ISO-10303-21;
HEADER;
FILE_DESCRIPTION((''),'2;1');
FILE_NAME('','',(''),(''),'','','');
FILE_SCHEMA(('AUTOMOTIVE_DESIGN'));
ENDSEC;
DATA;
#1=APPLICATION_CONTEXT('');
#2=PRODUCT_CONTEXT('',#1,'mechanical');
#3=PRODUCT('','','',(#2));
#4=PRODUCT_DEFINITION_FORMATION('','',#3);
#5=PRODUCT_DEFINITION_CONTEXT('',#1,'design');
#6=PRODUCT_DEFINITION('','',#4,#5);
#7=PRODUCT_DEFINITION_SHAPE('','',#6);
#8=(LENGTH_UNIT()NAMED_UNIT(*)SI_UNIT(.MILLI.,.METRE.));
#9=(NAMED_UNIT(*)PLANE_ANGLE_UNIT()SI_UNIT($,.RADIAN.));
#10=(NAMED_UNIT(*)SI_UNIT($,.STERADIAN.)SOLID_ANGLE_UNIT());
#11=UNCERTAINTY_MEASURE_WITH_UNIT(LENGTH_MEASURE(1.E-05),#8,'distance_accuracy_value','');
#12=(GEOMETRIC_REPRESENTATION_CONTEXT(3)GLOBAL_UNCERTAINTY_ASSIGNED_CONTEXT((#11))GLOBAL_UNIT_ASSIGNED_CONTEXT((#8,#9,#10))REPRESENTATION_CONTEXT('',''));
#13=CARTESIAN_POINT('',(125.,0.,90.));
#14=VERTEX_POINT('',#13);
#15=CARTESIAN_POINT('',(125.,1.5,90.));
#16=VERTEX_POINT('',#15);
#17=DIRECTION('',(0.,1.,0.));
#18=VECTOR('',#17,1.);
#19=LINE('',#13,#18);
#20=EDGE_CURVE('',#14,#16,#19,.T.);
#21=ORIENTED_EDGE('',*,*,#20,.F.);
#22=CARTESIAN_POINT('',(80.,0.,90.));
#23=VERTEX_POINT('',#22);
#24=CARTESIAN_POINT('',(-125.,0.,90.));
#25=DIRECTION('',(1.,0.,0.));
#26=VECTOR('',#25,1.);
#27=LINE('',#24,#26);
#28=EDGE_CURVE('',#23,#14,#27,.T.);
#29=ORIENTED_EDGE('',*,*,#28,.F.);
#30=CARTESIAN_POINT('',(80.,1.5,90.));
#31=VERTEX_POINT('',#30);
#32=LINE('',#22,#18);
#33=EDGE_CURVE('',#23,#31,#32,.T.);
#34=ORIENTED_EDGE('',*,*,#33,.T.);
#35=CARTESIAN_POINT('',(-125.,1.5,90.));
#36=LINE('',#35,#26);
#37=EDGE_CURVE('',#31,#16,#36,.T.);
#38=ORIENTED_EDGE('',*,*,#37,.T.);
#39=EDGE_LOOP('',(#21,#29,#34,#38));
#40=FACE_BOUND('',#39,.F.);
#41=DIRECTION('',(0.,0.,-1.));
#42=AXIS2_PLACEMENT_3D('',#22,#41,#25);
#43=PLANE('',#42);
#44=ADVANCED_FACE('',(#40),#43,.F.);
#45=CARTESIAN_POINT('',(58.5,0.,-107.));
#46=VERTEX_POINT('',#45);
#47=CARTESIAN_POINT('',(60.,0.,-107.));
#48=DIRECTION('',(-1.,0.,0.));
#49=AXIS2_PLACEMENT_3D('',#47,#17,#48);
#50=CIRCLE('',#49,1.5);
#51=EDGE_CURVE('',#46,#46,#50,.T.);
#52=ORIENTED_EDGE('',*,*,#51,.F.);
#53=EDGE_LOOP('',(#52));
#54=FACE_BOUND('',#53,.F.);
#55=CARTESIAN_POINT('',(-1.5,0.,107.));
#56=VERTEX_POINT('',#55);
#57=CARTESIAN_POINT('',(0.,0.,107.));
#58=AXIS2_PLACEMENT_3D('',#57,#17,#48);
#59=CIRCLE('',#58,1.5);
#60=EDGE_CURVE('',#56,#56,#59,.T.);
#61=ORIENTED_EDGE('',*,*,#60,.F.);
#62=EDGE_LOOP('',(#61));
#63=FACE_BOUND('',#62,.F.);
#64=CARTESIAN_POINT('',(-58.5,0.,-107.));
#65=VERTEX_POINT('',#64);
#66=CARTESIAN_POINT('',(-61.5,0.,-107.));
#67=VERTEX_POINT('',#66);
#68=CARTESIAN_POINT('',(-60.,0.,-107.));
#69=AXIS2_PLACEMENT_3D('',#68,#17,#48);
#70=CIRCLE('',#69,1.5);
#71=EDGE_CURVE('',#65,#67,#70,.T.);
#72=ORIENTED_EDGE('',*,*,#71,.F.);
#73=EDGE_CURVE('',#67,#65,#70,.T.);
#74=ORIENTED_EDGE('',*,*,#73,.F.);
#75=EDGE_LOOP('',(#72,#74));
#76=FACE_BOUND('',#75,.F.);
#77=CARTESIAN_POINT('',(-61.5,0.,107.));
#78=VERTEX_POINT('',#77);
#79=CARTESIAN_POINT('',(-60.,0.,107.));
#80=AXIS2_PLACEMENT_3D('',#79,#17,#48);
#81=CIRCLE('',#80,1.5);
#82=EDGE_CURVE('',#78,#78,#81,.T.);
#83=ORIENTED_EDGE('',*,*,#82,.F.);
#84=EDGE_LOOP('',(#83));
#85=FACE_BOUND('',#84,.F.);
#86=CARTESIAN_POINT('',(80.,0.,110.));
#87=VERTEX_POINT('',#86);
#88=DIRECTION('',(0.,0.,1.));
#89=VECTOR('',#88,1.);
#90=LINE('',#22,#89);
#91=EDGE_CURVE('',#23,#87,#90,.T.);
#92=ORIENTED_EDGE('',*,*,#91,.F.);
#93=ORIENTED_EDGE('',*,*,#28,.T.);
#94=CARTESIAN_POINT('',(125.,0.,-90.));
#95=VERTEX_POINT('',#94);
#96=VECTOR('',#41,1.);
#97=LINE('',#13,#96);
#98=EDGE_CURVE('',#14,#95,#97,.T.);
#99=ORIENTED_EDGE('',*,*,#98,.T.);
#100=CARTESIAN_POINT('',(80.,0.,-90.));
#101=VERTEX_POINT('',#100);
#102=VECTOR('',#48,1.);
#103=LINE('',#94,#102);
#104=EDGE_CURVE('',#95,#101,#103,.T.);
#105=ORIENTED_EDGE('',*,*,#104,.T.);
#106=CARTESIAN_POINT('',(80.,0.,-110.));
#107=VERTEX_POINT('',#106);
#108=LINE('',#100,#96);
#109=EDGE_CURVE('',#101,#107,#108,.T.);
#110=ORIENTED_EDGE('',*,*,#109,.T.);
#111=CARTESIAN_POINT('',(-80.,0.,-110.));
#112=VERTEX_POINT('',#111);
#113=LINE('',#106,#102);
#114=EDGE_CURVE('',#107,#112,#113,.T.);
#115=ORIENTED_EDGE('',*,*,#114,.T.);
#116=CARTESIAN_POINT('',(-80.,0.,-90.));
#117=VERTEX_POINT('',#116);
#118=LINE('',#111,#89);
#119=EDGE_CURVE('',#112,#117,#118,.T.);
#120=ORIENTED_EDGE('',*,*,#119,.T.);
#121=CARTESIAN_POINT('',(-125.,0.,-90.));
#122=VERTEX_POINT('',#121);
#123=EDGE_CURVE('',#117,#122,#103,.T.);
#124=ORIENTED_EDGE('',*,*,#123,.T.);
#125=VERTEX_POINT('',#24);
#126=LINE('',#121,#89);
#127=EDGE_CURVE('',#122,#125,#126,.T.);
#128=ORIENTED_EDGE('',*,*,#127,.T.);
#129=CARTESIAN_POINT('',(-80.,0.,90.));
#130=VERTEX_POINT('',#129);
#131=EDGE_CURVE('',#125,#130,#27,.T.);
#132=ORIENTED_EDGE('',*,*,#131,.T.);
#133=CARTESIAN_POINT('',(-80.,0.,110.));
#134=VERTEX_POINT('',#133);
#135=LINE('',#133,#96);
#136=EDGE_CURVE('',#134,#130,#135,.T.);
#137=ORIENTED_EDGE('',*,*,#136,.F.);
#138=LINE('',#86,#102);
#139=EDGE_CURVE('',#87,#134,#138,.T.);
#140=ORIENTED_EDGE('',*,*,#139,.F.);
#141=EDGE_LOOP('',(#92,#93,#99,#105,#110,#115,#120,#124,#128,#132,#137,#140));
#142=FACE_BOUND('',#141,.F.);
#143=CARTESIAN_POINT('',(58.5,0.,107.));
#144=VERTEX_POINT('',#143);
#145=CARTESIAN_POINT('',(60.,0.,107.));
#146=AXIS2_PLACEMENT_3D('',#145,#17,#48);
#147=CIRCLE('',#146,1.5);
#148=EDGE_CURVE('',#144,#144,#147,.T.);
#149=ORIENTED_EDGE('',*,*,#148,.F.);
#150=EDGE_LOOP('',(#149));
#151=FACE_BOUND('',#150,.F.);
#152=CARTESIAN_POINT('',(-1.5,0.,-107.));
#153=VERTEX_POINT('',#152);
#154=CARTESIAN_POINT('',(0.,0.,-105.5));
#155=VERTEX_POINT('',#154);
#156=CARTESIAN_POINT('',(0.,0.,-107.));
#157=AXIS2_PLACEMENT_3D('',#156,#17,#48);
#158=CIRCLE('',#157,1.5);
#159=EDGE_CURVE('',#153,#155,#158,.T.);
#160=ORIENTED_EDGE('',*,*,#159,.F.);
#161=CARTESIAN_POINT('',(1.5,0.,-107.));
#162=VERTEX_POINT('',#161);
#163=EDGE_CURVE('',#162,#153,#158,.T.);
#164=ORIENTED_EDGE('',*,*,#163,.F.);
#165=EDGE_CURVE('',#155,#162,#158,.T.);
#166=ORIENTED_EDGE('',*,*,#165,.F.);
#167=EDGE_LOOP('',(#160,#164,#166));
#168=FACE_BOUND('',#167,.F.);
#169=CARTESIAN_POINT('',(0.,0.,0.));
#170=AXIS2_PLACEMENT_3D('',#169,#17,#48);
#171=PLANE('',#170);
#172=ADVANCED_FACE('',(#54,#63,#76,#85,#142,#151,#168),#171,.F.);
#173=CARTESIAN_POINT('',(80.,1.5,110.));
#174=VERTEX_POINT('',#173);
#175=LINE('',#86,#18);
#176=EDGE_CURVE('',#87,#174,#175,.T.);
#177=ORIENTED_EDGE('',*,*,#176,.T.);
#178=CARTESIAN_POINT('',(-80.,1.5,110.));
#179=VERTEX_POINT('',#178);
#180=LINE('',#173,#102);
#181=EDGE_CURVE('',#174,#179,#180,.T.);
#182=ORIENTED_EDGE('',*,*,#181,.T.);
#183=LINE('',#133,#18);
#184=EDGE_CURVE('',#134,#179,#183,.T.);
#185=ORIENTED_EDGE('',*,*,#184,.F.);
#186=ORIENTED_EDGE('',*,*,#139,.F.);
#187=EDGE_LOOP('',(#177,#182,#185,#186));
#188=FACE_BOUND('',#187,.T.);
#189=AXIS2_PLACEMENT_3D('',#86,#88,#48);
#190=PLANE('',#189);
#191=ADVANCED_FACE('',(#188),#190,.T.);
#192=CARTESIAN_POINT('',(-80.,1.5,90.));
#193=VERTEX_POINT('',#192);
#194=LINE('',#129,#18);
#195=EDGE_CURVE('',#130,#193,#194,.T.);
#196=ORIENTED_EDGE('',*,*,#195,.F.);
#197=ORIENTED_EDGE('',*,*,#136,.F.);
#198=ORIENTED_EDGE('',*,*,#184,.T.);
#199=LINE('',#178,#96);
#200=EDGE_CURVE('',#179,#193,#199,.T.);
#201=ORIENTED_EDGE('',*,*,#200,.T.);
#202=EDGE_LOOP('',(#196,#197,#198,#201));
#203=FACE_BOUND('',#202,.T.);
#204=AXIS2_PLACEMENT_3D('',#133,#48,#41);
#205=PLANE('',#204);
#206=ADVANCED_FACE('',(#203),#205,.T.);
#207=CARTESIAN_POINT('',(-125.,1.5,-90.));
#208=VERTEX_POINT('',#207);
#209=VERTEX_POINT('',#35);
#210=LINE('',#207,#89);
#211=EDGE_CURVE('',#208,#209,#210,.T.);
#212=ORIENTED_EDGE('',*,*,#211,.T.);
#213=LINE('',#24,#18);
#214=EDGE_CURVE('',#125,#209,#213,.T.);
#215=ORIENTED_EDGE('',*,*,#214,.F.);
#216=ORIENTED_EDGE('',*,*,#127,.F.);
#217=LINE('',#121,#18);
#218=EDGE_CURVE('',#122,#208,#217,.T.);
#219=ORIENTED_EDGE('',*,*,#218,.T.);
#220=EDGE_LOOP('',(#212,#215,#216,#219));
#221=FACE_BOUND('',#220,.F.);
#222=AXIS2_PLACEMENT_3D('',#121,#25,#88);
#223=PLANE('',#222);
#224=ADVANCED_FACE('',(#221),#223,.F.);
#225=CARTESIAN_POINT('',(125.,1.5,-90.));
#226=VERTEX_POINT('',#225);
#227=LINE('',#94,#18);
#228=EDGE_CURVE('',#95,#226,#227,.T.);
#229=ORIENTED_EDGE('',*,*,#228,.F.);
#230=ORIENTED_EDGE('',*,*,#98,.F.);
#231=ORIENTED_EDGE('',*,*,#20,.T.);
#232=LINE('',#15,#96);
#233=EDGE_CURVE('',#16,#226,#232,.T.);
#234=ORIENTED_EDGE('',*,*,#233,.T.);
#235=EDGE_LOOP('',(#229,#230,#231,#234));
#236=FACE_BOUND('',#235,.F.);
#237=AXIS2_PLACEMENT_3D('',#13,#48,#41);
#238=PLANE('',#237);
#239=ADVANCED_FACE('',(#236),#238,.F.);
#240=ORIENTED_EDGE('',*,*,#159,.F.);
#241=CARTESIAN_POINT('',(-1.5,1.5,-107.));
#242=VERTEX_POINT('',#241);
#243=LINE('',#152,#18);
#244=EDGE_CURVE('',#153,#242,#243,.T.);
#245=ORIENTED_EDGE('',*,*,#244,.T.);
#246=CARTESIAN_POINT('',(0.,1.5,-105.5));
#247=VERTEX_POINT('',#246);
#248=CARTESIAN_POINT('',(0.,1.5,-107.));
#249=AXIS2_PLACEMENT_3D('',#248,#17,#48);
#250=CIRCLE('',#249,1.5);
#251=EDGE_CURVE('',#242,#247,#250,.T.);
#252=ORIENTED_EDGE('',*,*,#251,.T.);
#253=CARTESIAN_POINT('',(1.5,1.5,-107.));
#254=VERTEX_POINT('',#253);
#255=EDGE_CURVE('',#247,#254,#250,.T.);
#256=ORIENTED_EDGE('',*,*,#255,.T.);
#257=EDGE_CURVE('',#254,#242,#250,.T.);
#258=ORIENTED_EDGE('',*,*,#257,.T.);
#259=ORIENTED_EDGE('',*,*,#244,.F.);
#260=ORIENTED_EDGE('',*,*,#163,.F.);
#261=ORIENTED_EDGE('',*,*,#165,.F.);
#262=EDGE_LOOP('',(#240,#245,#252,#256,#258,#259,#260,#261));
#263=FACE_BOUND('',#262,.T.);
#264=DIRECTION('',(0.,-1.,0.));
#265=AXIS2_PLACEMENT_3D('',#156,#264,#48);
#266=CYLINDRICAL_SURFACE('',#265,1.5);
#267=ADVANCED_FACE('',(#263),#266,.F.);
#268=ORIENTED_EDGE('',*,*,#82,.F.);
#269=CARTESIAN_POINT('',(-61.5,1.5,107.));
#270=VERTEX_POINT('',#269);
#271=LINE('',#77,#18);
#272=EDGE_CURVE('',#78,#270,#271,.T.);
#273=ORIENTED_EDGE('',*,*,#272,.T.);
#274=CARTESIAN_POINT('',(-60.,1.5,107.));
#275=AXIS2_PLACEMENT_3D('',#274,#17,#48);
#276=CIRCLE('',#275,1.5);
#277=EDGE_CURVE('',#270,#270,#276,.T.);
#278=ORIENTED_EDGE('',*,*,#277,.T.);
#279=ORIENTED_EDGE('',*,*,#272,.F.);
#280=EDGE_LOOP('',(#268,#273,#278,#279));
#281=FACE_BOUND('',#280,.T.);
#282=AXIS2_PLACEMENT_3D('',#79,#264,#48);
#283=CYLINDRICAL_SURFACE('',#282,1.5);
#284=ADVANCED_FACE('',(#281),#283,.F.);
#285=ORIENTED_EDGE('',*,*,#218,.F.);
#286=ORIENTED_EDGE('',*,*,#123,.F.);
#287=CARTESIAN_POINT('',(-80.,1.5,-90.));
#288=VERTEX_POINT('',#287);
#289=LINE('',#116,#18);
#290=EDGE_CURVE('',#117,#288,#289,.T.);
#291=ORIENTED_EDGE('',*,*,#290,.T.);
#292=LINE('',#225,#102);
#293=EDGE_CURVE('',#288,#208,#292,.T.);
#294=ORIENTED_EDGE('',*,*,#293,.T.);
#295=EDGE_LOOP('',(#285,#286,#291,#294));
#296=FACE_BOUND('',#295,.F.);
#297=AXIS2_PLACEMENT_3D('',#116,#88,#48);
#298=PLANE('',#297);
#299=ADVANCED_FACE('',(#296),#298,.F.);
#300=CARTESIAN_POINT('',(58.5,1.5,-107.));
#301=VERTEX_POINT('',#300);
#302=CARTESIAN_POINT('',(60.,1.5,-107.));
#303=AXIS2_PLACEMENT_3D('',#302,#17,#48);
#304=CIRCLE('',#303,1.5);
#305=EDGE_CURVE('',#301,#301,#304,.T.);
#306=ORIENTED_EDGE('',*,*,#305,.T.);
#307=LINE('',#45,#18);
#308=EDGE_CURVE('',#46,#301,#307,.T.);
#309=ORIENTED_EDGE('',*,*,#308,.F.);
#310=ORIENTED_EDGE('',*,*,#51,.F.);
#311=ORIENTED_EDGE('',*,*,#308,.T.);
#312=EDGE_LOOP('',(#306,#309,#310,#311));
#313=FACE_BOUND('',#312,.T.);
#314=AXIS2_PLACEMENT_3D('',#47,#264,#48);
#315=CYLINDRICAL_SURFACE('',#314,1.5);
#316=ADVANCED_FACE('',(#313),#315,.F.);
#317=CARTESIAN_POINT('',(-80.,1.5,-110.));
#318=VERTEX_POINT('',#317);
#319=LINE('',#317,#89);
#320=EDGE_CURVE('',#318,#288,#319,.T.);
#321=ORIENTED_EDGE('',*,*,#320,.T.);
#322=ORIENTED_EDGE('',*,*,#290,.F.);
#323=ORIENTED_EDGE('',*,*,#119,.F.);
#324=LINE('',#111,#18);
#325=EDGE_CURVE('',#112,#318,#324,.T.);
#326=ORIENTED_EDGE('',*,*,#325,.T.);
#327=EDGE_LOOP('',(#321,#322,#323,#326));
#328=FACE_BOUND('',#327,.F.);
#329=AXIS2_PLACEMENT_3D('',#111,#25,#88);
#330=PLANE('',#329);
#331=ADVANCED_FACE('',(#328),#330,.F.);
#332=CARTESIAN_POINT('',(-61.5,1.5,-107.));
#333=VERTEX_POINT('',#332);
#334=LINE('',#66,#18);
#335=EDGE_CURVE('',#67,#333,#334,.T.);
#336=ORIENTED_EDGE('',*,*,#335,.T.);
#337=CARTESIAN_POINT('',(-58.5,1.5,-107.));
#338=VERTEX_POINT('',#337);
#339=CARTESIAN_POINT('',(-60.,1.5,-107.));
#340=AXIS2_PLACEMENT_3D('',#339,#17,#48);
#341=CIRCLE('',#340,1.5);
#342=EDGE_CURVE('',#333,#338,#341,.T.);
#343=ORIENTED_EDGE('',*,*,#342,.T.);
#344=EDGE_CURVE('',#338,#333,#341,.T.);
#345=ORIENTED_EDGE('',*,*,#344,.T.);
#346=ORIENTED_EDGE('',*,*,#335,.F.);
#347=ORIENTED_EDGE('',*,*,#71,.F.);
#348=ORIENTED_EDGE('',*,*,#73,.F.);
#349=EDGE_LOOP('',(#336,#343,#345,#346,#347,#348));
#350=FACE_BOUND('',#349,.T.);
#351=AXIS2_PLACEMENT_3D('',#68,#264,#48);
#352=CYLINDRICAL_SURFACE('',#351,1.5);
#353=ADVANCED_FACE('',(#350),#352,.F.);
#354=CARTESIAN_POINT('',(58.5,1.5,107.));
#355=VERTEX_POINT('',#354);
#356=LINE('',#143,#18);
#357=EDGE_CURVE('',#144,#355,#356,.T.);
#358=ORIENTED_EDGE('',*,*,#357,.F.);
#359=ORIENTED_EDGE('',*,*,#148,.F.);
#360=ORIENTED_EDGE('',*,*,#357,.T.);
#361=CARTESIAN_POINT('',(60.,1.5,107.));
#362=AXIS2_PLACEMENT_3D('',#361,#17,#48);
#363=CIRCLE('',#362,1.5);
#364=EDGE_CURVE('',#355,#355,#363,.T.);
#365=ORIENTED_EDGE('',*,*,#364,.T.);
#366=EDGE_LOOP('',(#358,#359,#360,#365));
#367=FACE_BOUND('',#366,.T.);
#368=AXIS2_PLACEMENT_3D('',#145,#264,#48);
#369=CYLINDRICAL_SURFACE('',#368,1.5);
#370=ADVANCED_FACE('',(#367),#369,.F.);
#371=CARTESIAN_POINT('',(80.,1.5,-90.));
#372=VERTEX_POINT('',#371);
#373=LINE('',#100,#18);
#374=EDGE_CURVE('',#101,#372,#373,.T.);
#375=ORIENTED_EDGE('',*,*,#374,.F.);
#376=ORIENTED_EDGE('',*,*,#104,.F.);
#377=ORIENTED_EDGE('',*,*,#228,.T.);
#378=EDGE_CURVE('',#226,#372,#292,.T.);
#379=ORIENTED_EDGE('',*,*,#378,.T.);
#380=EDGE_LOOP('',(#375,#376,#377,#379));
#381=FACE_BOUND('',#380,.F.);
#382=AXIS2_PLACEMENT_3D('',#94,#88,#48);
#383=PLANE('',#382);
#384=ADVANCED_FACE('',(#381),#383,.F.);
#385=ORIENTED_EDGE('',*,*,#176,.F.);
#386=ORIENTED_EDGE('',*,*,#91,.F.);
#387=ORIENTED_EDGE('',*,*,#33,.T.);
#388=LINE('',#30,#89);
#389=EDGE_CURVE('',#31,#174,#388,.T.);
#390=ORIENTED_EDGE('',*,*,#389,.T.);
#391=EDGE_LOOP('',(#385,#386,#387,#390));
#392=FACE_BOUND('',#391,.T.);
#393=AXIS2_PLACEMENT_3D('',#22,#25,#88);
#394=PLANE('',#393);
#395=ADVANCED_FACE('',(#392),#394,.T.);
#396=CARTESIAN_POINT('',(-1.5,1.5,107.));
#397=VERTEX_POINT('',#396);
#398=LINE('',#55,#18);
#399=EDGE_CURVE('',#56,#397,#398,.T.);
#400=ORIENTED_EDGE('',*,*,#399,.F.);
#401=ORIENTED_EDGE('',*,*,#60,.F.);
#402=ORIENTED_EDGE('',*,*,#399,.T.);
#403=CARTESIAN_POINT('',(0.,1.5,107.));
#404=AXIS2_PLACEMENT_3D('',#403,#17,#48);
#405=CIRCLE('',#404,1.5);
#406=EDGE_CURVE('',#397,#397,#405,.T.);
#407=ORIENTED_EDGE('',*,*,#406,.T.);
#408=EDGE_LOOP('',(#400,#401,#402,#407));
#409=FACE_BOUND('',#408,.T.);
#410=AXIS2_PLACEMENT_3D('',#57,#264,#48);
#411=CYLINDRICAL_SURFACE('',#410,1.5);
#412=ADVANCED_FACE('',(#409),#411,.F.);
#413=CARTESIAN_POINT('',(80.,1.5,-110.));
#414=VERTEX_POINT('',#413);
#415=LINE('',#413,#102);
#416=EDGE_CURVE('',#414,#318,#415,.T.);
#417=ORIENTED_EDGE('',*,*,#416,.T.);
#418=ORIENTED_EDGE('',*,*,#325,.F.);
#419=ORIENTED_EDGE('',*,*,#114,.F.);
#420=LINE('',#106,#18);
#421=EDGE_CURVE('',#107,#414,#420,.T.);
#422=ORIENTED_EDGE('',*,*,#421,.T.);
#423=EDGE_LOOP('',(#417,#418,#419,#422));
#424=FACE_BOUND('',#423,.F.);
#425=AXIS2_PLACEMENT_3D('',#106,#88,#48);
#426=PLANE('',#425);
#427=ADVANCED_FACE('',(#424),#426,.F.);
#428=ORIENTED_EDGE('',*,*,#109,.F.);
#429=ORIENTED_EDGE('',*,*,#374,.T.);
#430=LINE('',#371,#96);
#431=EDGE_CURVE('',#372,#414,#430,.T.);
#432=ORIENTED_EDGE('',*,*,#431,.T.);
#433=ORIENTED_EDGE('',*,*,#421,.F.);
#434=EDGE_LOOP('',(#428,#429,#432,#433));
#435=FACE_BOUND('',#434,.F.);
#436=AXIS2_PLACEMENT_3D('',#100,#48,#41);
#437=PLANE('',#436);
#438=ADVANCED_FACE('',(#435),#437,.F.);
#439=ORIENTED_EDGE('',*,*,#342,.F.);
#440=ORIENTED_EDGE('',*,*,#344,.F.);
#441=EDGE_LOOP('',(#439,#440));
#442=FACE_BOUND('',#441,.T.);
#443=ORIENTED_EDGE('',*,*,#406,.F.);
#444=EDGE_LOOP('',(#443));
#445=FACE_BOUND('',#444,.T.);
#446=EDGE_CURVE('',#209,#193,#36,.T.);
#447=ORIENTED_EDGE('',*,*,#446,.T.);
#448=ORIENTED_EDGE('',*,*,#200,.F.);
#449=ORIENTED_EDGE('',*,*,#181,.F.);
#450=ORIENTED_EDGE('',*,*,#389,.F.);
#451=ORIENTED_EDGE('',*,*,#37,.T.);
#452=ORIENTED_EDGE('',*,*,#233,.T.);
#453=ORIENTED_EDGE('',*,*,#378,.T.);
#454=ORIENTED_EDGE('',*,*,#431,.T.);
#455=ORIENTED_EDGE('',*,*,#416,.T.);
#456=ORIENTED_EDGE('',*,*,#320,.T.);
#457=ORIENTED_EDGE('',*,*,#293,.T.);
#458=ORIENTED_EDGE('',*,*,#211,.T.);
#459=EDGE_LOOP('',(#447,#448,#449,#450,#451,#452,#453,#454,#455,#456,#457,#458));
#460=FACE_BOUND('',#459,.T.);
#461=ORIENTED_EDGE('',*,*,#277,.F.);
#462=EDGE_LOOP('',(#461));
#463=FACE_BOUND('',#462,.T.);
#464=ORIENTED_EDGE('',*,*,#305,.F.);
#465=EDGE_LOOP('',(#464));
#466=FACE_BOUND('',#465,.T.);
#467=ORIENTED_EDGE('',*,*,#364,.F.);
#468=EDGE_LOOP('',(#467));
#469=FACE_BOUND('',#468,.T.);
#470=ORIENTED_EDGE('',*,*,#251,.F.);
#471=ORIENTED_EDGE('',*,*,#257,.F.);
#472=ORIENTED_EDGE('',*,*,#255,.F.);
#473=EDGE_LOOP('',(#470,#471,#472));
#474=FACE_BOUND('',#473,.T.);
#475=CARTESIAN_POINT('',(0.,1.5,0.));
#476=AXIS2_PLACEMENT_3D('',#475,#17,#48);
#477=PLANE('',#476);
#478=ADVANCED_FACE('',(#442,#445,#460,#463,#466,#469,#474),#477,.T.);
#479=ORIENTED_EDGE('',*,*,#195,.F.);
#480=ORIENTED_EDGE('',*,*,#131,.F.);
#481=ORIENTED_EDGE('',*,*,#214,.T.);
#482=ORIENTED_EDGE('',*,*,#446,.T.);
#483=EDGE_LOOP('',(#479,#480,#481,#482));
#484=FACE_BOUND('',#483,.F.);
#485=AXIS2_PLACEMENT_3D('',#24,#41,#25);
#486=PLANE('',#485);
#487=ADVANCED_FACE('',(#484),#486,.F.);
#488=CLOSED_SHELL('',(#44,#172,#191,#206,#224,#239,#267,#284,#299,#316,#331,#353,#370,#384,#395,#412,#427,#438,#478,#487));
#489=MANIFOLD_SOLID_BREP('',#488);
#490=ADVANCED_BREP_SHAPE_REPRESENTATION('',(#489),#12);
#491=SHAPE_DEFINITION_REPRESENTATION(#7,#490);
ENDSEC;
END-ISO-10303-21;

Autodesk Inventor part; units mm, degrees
ref_plane "YZ Plane" through (0, 0, 0) normal (1, 0, 0) x (0, 1, 0)
ref_plane "XZ Plane" through (0, 0, 0) normal (0, 1, 0) x (-1, 0, 0)
ref_plane "XY Plane" through (0, 0, 0) normal (0, 0, 1) x (1, 0, 0)
sketch "Sketch1" plane through (0, 0, 0) normal (0, 1, 0) x (-1, 0, 0)
  line L0 (125, 90) -> (-125, 90)
  line L1 (-125, 90) -> (-125, -90)
  line L2 (-125, -90) -> (125, -90)
  line L3 (125, -90) -> (125, 90)
  line L4 (125, 90) -> (-125, -90) construction
  line L5 (-125, 90) -> (125, -90) construction
  line L6 (0, 90) -> (80, 90)
  line L7 (80, 90) -> (-80, 90)
  line L8 (-80, 90) -> (-80, 110)
  line L9 (-80, 110) -> (80, 110)
  line L10 (80, 110) -> (80, 90)
  line L11 (80, -90) -> (-80, -90)
  line L12 (-80, -90) -> (-80, -110)
  line L13 (-80, -110) -> (80, -110)
  line L14 (80, -110) -> (80, -90)
  line L15 (0, 0) -> (0, -104)
  line L16 (0, -104) -> (0, -107)
  circle A0 centre (0, -107) radius 1.5
  line L17 (0, -107) -> (60, -107)
  line L18 (0, -107) -> (-60, -107)
  circle A1 centre (60, -107) radius 1.5
  circle A2 centre (-60, -107) radius 1.5
  line L19 (0, 0) -> (20.0042, 0)
  circle A3 centre (0, 107) radius 1.5
  circle A4 centre (60, 107) radius 1.5
  circle A5 centre (-60, 107) radius 1.5
  dimension "d0" = 250
  dimension "d1" = 180
  dimension "d2" = 80
  dimension "d3" = 160
  dimension "d4" = 20
  dimension "d5" = 160
  dimension "d6" = 20
  dimension "d7" = 104
  dimension "d8" = 3
  dimension "d9" = 3
  dimension "d10" = 60
  dimension "d11" = 60
  dimension "d12" = 3
  dimension "d13" = 3
extrude "Extrusion1" add sketch "Sketch1" along normal blind 1.5
properties part number "basePlate"
